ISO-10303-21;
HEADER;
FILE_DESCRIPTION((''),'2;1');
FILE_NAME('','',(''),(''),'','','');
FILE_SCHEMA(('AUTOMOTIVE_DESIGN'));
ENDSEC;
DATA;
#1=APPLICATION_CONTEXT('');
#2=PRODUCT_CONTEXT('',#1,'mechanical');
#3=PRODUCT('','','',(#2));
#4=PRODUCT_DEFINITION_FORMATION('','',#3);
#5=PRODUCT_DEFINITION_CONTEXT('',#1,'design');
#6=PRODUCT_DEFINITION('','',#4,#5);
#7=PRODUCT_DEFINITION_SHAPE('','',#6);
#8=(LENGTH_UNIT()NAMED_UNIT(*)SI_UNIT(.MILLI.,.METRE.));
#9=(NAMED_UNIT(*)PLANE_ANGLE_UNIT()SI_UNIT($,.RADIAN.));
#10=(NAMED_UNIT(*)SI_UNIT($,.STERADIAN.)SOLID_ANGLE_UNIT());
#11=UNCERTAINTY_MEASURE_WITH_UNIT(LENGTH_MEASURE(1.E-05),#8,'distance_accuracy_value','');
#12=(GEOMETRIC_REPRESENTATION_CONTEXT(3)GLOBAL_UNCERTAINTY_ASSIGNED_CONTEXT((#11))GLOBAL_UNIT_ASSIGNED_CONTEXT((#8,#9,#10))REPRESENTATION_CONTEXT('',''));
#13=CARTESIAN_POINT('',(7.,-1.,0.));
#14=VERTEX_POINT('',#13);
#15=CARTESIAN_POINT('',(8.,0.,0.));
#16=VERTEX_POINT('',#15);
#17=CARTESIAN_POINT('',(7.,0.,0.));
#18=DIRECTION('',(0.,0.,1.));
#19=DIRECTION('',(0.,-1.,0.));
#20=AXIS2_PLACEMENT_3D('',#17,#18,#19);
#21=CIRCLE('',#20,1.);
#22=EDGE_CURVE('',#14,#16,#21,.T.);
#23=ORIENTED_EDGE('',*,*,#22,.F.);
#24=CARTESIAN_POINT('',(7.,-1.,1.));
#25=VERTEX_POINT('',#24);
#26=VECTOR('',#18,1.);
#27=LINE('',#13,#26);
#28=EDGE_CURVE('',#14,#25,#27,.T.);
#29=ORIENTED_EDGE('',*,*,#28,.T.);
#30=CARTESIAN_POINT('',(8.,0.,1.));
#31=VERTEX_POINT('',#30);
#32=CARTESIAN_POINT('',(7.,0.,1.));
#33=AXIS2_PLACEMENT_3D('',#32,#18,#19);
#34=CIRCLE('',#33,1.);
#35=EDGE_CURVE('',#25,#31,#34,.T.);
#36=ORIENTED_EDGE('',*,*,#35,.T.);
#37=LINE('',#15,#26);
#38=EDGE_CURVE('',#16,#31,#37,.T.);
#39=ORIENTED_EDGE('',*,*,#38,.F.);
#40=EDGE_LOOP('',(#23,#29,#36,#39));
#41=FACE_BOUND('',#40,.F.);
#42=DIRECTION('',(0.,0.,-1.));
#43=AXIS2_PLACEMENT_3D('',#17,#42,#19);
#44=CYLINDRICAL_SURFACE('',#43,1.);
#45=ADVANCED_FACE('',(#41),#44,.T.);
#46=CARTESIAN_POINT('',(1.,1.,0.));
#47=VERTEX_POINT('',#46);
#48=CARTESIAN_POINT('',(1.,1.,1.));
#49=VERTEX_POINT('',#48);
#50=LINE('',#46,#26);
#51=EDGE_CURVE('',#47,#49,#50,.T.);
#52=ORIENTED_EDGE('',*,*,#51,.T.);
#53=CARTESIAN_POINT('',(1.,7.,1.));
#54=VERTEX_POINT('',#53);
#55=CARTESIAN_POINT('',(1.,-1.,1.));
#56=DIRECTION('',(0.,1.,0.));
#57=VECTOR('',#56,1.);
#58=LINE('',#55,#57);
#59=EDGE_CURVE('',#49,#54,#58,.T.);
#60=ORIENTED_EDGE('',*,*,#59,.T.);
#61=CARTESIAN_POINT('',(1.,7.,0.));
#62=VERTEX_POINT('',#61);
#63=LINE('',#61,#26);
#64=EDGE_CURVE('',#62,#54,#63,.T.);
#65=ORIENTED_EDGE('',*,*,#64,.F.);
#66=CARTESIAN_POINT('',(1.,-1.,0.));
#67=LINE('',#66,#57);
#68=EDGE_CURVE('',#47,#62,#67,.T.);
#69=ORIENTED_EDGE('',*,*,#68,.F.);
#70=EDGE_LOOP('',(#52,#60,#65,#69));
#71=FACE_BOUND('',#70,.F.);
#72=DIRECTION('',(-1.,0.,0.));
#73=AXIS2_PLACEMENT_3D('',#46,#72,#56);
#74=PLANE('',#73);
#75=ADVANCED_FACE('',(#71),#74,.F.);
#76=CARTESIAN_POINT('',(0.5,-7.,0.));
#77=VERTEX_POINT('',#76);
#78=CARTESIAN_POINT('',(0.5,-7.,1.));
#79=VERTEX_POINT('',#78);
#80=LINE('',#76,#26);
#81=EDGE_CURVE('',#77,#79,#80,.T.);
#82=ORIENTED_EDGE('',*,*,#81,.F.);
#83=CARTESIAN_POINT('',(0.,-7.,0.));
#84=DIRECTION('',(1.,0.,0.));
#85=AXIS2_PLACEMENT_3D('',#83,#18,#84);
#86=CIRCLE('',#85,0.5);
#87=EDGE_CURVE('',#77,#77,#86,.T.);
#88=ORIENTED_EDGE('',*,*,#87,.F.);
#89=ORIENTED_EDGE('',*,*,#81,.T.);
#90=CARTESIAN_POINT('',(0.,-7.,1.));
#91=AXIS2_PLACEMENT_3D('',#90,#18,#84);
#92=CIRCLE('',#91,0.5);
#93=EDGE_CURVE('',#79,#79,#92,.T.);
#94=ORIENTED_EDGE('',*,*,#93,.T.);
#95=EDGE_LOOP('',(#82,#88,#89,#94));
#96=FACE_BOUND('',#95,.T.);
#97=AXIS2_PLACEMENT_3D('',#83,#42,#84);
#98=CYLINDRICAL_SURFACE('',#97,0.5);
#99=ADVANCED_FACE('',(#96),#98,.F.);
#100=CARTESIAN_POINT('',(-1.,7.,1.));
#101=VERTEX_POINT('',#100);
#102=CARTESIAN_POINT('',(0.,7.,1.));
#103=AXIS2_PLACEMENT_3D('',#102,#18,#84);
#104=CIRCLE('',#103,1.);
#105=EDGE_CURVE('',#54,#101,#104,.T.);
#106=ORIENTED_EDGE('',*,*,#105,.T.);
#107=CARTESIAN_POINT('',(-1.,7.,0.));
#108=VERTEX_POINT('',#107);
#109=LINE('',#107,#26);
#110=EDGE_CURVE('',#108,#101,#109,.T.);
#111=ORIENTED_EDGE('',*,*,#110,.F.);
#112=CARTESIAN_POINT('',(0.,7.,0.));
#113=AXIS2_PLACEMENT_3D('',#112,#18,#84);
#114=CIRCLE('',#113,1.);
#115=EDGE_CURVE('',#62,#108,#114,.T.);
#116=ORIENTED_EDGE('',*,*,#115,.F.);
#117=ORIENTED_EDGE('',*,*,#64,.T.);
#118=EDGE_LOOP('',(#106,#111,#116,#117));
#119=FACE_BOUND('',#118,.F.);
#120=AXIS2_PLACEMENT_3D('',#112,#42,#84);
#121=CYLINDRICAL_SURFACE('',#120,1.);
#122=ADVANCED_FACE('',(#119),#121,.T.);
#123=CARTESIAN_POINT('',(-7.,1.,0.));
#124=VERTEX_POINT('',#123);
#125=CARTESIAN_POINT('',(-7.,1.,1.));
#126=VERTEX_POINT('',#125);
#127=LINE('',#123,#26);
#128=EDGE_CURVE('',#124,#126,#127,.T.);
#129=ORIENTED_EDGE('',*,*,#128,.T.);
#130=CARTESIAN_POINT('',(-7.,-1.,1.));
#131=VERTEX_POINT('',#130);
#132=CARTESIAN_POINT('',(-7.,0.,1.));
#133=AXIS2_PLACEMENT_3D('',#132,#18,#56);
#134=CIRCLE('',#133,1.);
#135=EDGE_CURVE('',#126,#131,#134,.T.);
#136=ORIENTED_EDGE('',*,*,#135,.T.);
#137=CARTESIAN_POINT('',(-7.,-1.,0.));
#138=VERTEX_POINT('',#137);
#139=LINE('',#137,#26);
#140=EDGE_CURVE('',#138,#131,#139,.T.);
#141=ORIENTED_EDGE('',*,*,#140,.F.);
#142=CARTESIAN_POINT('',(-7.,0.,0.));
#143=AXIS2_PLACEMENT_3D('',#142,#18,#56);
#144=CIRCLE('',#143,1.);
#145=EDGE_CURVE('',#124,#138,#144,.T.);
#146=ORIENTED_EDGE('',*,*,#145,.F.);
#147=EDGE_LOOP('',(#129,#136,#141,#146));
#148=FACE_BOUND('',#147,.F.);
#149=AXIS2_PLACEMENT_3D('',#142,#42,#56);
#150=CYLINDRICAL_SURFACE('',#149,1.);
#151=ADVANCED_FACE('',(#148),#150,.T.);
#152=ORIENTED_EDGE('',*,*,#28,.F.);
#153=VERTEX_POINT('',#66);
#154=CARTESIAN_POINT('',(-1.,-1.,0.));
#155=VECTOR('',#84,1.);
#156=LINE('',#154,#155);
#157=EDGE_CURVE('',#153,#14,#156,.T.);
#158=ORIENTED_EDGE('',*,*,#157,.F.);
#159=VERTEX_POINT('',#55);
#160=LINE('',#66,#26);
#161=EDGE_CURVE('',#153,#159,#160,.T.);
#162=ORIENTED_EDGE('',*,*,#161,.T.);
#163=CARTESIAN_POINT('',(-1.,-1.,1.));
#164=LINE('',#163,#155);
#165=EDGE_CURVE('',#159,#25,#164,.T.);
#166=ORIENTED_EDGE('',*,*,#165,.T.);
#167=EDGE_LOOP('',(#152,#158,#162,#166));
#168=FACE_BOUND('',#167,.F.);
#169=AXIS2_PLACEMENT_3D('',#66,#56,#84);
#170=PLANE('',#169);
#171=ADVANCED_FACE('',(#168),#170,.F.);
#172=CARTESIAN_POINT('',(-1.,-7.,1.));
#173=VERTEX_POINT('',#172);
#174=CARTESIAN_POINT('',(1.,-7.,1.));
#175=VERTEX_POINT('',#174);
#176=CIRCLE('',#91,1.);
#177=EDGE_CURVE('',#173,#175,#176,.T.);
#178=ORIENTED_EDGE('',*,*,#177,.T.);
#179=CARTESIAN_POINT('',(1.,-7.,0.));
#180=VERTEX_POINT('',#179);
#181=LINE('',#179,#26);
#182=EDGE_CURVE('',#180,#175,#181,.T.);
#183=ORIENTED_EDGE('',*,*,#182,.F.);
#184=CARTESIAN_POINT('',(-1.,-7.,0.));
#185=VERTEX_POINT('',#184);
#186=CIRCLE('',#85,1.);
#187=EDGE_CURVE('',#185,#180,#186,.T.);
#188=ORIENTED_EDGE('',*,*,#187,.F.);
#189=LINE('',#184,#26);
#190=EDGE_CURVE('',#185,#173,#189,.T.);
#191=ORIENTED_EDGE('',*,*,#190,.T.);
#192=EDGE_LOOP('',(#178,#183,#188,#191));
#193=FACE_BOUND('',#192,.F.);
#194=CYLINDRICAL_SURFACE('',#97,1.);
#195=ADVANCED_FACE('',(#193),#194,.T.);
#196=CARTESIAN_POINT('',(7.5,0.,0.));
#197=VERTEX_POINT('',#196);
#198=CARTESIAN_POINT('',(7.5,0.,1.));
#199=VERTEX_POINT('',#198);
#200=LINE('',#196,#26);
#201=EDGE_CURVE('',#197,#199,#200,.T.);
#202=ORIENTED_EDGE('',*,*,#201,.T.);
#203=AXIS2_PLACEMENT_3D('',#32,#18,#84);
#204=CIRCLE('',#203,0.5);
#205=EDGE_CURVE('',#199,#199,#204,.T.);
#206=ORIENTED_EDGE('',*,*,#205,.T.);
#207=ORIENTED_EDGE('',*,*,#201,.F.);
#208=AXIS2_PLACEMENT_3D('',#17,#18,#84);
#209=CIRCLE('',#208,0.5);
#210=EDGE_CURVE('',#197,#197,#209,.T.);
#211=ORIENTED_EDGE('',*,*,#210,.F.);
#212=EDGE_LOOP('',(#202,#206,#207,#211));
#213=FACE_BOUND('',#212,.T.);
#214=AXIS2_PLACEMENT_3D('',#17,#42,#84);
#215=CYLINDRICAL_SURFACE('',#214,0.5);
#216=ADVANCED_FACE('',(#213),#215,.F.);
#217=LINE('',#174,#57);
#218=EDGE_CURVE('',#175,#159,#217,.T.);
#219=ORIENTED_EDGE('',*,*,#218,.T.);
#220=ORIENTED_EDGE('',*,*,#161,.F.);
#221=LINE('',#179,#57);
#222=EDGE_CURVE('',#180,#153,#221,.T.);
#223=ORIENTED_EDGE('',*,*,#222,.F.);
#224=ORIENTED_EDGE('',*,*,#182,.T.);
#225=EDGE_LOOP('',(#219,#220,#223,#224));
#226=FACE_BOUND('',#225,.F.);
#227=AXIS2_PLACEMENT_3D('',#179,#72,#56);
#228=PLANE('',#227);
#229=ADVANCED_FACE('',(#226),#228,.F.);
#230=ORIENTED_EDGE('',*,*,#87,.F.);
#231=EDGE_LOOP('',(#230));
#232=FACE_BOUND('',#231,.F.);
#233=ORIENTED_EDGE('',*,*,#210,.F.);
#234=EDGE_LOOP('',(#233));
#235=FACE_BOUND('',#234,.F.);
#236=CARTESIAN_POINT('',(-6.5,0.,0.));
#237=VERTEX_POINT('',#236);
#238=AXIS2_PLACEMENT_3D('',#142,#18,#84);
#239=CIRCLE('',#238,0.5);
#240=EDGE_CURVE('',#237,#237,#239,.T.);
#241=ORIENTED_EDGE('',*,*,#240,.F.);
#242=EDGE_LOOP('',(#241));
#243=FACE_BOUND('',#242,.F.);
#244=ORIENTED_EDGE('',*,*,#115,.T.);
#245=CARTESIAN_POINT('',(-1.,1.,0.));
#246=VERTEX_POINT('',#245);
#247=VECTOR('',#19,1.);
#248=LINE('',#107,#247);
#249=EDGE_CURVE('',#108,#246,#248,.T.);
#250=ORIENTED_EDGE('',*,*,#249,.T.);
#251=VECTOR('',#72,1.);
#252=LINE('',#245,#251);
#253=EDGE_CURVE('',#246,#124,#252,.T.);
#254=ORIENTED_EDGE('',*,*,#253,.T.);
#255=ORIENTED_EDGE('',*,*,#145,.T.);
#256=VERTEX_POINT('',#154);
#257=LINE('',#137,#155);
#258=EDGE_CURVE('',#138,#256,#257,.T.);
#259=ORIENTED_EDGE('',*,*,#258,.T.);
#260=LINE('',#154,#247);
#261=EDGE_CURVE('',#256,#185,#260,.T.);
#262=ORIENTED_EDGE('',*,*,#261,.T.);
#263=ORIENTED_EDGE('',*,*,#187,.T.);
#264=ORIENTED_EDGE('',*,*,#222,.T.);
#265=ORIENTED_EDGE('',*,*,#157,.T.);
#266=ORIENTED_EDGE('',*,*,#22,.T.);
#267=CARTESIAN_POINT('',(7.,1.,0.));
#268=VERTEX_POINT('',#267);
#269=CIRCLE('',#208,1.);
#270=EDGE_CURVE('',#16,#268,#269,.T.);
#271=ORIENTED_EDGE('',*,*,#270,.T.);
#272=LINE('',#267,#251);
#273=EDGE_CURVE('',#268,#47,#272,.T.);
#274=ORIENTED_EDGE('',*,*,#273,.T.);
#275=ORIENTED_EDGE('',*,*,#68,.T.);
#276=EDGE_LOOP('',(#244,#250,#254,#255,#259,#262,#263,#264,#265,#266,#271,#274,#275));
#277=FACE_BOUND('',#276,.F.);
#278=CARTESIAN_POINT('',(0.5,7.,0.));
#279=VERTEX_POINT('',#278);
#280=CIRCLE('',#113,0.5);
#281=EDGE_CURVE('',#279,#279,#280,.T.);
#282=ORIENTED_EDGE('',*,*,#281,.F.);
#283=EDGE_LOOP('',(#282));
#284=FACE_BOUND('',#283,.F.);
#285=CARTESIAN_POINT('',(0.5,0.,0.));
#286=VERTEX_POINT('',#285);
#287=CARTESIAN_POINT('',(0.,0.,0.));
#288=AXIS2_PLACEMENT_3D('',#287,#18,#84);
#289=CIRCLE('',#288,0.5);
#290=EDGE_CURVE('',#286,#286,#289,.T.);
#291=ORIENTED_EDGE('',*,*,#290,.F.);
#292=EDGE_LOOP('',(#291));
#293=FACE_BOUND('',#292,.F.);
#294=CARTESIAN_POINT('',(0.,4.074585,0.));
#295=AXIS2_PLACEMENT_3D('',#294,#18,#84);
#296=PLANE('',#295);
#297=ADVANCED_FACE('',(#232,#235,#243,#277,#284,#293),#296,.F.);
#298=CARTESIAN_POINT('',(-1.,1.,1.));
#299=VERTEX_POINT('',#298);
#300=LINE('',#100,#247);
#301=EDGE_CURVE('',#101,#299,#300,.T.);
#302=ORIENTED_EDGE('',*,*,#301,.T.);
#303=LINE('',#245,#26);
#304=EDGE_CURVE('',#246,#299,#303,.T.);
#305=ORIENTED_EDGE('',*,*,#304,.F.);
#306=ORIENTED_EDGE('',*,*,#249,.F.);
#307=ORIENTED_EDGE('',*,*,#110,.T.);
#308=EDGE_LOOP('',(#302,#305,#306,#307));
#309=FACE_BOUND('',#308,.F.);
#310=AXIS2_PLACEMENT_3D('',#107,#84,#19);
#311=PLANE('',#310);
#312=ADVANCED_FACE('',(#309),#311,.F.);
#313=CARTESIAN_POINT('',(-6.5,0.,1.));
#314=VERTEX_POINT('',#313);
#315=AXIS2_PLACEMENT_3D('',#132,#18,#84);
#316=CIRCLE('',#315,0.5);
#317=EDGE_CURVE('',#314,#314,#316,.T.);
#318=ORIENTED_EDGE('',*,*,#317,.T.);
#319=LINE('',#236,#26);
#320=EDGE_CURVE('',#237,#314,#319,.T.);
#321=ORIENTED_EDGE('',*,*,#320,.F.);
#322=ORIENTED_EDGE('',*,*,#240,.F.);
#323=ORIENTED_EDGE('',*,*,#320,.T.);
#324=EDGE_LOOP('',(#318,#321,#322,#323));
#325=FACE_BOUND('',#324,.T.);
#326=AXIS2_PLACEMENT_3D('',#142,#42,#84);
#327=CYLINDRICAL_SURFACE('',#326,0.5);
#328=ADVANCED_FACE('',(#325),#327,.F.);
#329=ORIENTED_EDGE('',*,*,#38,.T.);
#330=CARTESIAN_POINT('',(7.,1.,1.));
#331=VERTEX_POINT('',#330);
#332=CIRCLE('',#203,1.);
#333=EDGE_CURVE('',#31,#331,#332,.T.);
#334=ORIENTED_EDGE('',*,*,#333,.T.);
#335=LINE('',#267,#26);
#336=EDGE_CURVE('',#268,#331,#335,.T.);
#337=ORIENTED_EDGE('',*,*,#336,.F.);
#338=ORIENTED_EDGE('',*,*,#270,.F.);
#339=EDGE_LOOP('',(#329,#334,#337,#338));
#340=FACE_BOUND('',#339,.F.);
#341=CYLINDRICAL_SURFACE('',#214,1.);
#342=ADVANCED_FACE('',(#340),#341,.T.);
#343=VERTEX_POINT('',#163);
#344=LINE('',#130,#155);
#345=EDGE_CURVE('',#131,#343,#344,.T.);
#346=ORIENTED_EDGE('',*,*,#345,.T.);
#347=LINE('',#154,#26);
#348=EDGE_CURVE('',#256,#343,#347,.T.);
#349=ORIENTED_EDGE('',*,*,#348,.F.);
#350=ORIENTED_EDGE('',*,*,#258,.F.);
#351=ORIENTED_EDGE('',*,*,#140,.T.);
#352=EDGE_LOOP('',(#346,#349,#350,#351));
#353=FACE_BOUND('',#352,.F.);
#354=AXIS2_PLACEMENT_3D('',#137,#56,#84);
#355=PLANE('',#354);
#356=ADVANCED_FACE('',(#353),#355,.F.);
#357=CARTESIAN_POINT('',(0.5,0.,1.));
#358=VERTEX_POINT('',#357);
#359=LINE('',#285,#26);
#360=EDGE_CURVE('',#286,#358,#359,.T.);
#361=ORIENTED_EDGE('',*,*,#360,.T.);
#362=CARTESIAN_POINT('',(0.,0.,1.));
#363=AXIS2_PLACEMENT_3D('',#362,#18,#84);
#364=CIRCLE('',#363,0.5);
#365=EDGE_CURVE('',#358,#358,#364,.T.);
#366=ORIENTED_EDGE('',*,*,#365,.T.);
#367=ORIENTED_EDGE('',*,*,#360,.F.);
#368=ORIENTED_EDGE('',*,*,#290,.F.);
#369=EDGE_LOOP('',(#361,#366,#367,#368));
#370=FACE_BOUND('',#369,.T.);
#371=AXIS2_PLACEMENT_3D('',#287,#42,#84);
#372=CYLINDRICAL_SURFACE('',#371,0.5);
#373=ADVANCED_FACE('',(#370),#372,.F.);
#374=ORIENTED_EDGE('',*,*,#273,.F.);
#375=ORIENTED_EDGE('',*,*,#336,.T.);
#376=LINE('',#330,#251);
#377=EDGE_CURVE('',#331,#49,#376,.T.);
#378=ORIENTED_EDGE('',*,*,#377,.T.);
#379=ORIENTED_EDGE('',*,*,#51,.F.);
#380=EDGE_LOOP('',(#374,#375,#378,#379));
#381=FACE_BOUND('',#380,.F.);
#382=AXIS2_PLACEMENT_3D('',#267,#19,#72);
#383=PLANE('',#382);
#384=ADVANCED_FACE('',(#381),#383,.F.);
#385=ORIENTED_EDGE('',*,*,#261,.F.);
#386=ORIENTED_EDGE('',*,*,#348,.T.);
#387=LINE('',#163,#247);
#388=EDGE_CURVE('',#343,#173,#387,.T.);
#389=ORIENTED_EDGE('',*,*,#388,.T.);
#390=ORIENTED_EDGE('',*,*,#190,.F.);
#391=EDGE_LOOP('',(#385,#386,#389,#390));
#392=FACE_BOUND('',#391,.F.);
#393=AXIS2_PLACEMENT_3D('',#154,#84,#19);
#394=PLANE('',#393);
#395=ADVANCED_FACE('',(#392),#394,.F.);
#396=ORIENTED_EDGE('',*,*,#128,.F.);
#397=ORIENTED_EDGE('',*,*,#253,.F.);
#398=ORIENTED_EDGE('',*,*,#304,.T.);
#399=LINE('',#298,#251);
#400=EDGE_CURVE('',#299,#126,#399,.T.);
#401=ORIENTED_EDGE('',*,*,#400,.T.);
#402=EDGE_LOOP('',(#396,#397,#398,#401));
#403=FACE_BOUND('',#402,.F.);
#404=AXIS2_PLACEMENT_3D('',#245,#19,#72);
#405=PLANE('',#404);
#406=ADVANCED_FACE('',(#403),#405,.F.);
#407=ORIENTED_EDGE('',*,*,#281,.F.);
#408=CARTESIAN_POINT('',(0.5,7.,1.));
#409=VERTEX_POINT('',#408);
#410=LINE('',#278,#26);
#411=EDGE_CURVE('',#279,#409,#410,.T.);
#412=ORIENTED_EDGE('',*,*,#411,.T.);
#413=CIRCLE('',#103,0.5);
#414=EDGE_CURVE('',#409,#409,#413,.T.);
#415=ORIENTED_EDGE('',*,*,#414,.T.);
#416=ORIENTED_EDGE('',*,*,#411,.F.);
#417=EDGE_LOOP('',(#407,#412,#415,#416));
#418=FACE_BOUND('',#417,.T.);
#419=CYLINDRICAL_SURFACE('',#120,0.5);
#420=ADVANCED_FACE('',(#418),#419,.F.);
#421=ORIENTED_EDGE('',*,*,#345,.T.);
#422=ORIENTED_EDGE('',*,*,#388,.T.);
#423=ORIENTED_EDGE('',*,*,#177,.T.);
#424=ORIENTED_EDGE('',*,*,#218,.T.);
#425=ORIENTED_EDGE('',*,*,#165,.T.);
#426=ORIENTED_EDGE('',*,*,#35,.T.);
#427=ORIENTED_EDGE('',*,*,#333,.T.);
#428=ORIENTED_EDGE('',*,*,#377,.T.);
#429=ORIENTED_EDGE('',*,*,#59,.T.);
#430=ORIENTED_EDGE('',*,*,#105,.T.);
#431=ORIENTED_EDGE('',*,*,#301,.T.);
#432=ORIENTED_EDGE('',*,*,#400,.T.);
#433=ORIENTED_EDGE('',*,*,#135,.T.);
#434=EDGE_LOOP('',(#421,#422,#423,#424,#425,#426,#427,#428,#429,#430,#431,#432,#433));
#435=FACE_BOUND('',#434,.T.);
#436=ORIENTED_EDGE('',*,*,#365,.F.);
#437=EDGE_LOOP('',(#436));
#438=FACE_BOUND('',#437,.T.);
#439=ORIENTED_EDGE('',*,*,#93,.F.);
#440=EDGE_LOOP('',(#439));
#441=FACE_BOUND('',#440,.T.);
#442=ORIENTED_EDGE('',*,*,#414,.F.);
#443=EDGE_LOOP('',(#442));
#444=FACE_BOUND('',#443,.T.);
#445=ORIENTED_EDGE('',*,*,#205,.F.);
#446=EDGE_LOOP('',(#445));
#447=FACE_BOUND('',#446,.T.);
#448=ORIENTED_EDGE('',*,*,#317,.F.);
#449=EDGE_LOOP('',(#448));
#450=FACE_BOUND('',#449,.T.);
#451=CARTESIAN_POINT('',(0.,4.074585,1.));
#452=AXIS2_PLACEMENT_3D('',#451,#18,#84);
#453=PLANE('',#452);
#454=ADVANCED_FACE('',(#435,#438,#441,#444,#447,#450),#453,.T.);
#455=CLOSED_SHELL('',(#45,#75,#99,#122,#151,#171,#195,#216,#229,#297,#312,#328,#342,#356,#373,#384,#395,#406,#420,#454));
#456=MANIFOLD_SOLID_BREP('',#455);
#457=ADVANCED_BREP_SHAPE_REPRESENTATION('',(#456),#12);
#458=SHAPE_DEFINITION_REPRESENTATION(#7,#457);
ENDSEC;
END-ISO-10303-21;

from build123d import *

# Parameters (mm, degrees)
F0_W     = 2
F0_H     = 2.0000000052
F0_R     = 0.5
F1_DEPTH = 1


with BuildPart() as f1:
    # F0 (on Top) → F1 (new body)
    with BuildSketch(Plane.XY):
        with BuildLine():
            Line((1, 1.0000000026), (1, 7))
            ThreePointArc((1, 7), (0, 6), (-1, 7))
            Line((-1, 7), (-1, 1.0000000026))
            Line((-1, 1.0000000026), (1, 1.0000000026))
        make_face()
        Rectangle(F0_W, F0_H)
        with Locations((0, 2.6e-09)):
            Circle(F0_R, mode=Mode.SUBTRACT)
        with BuildLine():
            ThreePointArc((-1, 7), (0, 6), (1, 7))
            ThreePointArc((1, 7), (0, 8), (-1, 7))
        make_face()
        with Locations((0, 7)):
            Circle(F0_R, mode=Mode.SUBTRACT)
        with BuildLine():
            Line((6.9999999974, 1.0000000026), (1, 1.0000000026))
            Line((1, 1.0000000026), (1, -1.0000000026))
            Line((1, -1.0000000026), (6.9999999974, -1.0000000026))
            ThreePointArc((6.9999999974, -0.9999999974), (5.9999999974, 2.6e-09), (6.9999999974, 1.0000000026))
        make_face()
        with BuildLine():
            ThreePointArc((7.9999999974, 2.6e-09), (7.7071067786, 0.7071067838), (6.9999999974, 1.0000000026))
            ThreePointArc((6.9999999974, 1.0000000026), (5.9999999974, 2.6e-09), (6.9999999974, -0.9999999974))
            ThreePointArc((6.9999999974, -0.9999999974), (7.7071067786, -0.7071067786), (7.9999999974, 2.6e-09))
        make_face()
        with Locations((6.9999999974, 2.6e-09)):
            Circle(F0_R, mode=Mode.SUBTRACT)
        with BuildLine():
            Line((-1, -1.0000000026), (-1, 1.0000000026))
            Line((-1, 1.0000000026), (-6.9999999974, 1.0000000026))
            ThreePointArc((-6.9999999974, 1.0000000026), (-6.2928932162, 0.7071067838), (-5.9999999974, 2.6e-09))
            ThreePointArc((-5.9999999974, 2.6e-09), (-6.2928932162, -0.7071067786), (-6.9999999974, -0.9999999974))
            Line((-6.9999999974, -1.0000000026), (-1, -1.0000000026))
        make_face()
        with BuildLine():
            ThreePointArc((-5.9999999974, 2.6e-09), (-6.2928932162, 0.7071067838), (-6.9999999974, 1.0000000026))
            ThreePointArc((-6.9999999974, 1.0000000026), (-7.9999999974, 2.6e-09), (-6.9999999974, -0.9999999974))
            ThreePointArc((-6.9999999974, -0.9999999974), (-6.2928932162, -0.7071067786), (-5.9999999974, 2.6e-09))
        make_face()
        with Locations((-6.9999999974, 2.6e-09)):
            Circle(F0_R, mode=Mode.SUBTRACT)
        with BuildLine():
            Line((1, -6.9999999948), (1, -1.0000000026))
            Line((1, -1.0000000026), (-1, -1.0000000026))
            Line((-1, -1.0000000026), (-1, -6.9999999948))
            ThreePointArc((-1, -6.9999999948), (0, -5.9999999948), (1, -6.9999999948))
        make_face()
        with BuildLine():
            ThreePointArc((-1, -6.9999999948), (0, -7.9999999948), (1, -6.9999999948))
            ThreePointArc((1, -6.9999999948), (0, -5.9999999948), (-1, -6.9999999948))
        make_face()
        with Locations((0, -6.9999999948)):
            Circle(F0_R, mode=Mode.SUBTRACT)
    extrude(amount=F1_DEPTH)


solid = f1.part
